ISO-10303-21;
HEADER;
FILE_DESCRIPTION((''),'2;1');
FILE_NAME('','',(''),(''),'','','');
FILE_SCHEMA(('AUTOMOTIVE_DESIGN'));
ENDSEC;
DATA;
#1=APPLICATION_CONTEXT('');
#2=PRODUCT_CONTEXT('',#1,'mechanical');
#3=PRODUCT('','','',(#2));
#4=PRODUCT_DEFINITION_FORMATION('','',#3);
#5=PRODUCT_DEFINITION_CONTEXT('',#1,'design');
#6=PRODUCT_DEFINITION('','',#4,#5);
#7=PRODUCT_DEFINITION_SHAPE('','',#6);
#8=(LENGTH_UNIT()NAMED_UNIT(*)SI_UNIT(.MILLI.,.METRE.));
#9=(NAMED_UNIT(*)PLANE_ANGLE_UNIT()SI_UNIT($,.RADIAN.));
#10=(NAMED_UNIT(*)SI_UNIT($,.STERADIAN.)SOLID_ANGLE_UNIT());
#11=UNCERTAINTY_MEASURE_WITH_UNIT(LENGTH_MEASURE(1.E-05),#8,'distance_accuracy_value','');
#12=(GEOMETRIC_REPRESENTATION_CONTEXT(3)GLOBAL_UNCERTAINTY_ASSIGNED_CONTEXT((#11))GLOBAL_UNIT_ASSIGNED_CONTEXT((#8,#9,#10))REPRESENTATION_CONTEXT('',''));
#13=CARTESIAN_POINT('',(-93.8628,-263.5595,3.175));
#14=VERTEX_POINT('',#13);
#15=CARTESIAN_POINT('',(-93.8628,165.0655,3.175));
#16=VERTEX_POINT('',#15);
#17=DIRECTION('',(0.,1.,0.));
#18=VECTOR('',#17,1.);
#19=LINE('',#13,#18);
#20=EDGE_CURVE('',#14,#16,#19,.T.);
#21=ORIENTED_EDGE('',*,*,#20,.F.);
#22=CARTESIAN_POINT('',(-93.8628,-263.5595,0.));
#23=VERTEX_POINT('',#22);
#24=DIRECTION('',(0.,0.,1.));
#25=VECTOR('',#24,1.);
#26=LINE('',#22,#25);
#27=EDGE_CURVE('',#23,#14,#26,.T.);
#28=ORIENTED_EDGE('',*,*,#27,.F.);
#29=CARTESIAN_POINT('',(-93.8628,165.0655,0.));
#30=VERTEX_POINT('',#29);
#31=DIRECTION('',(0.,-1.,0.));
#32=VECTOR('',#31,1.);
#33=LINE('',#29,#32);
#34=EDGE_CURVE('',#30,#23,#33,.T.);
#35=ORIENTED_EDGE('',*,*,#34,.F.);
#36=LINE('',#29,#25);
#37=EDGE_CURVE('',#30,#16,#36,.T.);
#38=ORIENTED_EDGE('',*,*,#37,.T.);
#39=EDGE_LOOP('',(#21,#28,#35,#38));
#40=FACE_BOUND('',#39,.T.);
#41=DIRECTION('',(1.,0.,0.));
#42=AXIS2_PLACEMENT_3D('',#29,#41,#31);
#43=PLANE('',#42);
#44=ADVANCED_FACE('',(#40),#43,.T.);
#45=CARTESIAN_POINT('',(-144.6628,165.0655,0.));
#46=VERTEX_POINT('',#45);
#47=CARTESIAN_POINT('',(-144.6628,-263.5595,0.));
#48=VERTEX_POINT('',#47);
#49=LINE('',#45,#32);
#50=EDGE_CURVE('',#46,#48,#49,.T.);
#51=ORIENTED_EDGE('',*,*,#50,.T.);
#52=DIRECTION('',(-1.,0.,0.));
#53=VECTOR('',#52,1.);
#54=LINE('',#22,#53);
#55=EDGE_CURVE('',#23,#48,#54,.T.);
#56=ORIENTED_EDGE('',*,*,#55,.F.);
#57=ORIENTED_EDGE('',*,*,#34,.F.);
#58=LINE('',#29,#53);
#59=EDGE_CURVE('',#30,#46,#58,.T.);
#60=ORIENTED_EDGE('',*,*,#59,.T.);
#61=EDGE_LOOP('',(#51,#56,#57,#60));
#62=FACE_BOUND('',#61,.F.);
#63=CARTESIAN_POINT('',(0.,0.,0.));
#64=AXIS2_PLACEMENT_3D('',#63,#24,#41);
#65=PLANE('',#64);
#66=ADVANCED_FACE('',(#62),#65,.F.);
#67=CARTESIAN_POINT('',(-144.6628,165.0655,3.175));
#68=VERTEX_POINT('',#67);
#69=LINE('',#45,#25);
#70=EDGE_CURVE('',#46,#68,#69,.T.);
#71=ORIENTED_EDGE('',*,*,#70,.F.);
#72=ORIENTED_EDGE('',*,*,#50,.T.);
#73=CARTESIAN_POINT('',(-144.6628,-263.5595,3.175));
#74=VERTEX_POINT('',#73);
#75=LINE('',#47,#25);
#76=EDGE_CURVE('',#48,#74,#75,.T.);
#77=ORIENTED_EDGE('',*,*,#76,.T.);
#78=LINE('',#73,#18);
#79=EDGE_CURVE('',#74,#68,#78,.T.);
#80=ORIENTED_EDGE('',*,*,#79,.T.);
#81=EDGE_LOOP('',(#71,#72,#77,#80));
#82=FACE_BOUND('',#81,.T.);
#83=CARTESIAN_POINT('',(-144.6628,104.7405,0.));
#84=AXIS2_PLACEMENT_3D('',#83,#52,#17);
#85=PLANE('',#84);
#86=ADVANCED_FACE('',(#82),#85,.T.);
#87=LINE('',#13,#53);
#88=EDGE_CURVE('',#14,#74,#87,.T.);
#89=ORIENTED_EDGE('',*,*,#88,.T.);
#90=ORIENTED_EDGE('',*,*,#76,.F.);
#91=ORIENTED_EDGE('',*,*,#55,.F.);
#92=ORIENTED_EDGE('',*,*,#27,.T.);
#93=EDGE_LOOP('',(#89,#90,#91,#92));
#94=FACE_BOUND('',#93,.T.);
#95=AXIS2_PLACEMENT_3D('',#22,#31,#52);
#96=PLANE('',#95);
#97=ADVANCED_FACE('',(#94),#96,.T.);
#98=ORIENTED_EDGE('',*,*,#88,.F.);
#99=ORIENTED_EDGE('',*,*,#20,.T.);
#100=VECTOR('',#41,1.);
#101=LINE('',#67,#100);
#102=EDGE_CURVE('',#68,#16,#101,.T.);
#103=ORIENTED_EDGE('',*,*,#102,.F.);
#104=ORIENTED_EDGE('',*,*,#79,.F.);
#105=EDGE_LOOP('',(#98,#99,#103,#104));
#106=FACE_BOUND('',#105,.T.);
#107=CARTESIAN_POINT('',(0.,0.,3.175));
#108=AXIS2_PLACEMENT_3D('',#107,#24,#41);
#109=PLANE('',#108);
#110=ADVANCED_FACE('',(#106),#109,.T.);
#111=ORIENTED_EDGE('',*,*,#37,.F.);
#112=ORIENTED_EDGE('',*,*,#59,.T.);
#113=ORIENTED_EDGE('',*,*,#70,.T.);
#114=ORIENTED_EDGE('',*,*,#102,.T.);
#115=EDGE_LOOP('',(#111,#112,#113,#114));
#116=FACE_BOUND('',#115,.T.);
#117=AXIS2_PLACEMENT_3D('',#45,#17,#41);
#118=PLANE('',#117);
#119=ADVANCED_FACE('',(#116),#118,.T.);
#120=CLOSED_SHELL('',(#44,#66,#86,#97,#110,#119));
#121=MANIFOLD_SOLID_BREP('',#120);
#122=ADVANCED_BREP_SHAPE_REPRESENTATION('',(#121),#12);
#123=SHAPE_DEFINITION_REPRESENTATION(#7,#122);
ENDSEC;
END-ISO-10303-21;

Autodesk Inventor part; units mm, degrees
ref_plane "YZ Plane" through (0, 0, 0) normal (1, 0, 0) x (0, 1, 0)
ref_plane "XZ Plane" through (0, 0, 0) normal (0, 1, 0) x (-1, 0, 0)
ref_plane "XY Plane" through (0, 0, 0) normal (0, 0, 1) x (1, 0, 0)
sketch "Sketch1" plane through (0, 0, 0) normal (0, 0, 1) x (1, 0, 0)
  line L0 (-144.6628, 165.0655) -> (-93.8628, 165.0655)
  line L1 (-93.8628, 165.0655) -> (-93.8628, -263.5595)
  line L2 (-93.8628, -263.5595) -> (-144.6628, -263.5595)
  line L3 (-144.6628, -263.5595) -> (-144.6628, 165.0655)
  line L4 (-119.2628, 165.0655) -> (-119.2628, 104.7405)
  line L5 (-119.2628, 104.7405) -> (-144.6628, 104.7405)
  line L6 (-93.8628, 104.7405) -> (-119.2628, 104.7405)
  point P0 (0, 0)
  dimension "d0" = 50.8
  dimension "d1" = 428.625
  dimension "d4" = 60.325
extrude "Extrusion1" add sketch "Sketch1" along normal blind 3.175
sketch "Sketch2" plane through (0, 0, 3.175) normal (0, 0, 1) x (1, 0, 0)
  point P0 (0, 0)
sketch "Sketch3" plane through (0, 0, 3.175) normal (0, 0, 1) x (1, 0, 0)
  line L0 (-93.8628, 165.0655) -> (-144.6628, 165.0655) projected
  line L1 (-119.2628, 165.0655) -> (-119.2628, 104.7405)
  line L2 (-119.2628, 104.7405) -> (-144.6628, 104.7405)
  line L3 (-144.6628, 104.7405) -> (-93.8628, 104.7405)
  line L4 (-93.8628, -263.5595) -> (-93.8628, 165.0655) projected
  line L5 (-119.2628, 104.7405) -> (-119.2628, 53.9405)
  line L6 (-119.2628, 53.9405) -> (-144.6628, 53.9405)
  line L7 (-144.6628, 53.9405) -> (-93.8628, 53.9405)
  point P0 (0, 0)
  dimension "d5" = 60.325
  dimension "d7" = 50.8
sketch "Sketch4" plane through (0, 0, 0) normal (0, 0, -1) x (-1, 0, 0)
  line L0 (93.8628, 165.0655) -> (144.6628, 165.0655) projected
  line L1 (119.2628, 165.0655) -> (119.2628, 104.7405)
  line L2 (119.2628, 104.7405) -> (93.8628, 104.7405)
  line L3 (93.8628, 104.7405) -> (144.6628, 104.7405)
  line L4 (119.2628, 104.7405) -> (119.2628, 53.9405)
  line L5 (119.2628, 53.9405) -> (93.8628, 53.9405)
  line L6 (93.8628, 53.9405) -> (144.6628, 53.9405)
  point P0 (0, 0)
  dimension "d6" = 60.325
  dimension "d8" = 50.8
properties part number "long metal piece 2x17"
